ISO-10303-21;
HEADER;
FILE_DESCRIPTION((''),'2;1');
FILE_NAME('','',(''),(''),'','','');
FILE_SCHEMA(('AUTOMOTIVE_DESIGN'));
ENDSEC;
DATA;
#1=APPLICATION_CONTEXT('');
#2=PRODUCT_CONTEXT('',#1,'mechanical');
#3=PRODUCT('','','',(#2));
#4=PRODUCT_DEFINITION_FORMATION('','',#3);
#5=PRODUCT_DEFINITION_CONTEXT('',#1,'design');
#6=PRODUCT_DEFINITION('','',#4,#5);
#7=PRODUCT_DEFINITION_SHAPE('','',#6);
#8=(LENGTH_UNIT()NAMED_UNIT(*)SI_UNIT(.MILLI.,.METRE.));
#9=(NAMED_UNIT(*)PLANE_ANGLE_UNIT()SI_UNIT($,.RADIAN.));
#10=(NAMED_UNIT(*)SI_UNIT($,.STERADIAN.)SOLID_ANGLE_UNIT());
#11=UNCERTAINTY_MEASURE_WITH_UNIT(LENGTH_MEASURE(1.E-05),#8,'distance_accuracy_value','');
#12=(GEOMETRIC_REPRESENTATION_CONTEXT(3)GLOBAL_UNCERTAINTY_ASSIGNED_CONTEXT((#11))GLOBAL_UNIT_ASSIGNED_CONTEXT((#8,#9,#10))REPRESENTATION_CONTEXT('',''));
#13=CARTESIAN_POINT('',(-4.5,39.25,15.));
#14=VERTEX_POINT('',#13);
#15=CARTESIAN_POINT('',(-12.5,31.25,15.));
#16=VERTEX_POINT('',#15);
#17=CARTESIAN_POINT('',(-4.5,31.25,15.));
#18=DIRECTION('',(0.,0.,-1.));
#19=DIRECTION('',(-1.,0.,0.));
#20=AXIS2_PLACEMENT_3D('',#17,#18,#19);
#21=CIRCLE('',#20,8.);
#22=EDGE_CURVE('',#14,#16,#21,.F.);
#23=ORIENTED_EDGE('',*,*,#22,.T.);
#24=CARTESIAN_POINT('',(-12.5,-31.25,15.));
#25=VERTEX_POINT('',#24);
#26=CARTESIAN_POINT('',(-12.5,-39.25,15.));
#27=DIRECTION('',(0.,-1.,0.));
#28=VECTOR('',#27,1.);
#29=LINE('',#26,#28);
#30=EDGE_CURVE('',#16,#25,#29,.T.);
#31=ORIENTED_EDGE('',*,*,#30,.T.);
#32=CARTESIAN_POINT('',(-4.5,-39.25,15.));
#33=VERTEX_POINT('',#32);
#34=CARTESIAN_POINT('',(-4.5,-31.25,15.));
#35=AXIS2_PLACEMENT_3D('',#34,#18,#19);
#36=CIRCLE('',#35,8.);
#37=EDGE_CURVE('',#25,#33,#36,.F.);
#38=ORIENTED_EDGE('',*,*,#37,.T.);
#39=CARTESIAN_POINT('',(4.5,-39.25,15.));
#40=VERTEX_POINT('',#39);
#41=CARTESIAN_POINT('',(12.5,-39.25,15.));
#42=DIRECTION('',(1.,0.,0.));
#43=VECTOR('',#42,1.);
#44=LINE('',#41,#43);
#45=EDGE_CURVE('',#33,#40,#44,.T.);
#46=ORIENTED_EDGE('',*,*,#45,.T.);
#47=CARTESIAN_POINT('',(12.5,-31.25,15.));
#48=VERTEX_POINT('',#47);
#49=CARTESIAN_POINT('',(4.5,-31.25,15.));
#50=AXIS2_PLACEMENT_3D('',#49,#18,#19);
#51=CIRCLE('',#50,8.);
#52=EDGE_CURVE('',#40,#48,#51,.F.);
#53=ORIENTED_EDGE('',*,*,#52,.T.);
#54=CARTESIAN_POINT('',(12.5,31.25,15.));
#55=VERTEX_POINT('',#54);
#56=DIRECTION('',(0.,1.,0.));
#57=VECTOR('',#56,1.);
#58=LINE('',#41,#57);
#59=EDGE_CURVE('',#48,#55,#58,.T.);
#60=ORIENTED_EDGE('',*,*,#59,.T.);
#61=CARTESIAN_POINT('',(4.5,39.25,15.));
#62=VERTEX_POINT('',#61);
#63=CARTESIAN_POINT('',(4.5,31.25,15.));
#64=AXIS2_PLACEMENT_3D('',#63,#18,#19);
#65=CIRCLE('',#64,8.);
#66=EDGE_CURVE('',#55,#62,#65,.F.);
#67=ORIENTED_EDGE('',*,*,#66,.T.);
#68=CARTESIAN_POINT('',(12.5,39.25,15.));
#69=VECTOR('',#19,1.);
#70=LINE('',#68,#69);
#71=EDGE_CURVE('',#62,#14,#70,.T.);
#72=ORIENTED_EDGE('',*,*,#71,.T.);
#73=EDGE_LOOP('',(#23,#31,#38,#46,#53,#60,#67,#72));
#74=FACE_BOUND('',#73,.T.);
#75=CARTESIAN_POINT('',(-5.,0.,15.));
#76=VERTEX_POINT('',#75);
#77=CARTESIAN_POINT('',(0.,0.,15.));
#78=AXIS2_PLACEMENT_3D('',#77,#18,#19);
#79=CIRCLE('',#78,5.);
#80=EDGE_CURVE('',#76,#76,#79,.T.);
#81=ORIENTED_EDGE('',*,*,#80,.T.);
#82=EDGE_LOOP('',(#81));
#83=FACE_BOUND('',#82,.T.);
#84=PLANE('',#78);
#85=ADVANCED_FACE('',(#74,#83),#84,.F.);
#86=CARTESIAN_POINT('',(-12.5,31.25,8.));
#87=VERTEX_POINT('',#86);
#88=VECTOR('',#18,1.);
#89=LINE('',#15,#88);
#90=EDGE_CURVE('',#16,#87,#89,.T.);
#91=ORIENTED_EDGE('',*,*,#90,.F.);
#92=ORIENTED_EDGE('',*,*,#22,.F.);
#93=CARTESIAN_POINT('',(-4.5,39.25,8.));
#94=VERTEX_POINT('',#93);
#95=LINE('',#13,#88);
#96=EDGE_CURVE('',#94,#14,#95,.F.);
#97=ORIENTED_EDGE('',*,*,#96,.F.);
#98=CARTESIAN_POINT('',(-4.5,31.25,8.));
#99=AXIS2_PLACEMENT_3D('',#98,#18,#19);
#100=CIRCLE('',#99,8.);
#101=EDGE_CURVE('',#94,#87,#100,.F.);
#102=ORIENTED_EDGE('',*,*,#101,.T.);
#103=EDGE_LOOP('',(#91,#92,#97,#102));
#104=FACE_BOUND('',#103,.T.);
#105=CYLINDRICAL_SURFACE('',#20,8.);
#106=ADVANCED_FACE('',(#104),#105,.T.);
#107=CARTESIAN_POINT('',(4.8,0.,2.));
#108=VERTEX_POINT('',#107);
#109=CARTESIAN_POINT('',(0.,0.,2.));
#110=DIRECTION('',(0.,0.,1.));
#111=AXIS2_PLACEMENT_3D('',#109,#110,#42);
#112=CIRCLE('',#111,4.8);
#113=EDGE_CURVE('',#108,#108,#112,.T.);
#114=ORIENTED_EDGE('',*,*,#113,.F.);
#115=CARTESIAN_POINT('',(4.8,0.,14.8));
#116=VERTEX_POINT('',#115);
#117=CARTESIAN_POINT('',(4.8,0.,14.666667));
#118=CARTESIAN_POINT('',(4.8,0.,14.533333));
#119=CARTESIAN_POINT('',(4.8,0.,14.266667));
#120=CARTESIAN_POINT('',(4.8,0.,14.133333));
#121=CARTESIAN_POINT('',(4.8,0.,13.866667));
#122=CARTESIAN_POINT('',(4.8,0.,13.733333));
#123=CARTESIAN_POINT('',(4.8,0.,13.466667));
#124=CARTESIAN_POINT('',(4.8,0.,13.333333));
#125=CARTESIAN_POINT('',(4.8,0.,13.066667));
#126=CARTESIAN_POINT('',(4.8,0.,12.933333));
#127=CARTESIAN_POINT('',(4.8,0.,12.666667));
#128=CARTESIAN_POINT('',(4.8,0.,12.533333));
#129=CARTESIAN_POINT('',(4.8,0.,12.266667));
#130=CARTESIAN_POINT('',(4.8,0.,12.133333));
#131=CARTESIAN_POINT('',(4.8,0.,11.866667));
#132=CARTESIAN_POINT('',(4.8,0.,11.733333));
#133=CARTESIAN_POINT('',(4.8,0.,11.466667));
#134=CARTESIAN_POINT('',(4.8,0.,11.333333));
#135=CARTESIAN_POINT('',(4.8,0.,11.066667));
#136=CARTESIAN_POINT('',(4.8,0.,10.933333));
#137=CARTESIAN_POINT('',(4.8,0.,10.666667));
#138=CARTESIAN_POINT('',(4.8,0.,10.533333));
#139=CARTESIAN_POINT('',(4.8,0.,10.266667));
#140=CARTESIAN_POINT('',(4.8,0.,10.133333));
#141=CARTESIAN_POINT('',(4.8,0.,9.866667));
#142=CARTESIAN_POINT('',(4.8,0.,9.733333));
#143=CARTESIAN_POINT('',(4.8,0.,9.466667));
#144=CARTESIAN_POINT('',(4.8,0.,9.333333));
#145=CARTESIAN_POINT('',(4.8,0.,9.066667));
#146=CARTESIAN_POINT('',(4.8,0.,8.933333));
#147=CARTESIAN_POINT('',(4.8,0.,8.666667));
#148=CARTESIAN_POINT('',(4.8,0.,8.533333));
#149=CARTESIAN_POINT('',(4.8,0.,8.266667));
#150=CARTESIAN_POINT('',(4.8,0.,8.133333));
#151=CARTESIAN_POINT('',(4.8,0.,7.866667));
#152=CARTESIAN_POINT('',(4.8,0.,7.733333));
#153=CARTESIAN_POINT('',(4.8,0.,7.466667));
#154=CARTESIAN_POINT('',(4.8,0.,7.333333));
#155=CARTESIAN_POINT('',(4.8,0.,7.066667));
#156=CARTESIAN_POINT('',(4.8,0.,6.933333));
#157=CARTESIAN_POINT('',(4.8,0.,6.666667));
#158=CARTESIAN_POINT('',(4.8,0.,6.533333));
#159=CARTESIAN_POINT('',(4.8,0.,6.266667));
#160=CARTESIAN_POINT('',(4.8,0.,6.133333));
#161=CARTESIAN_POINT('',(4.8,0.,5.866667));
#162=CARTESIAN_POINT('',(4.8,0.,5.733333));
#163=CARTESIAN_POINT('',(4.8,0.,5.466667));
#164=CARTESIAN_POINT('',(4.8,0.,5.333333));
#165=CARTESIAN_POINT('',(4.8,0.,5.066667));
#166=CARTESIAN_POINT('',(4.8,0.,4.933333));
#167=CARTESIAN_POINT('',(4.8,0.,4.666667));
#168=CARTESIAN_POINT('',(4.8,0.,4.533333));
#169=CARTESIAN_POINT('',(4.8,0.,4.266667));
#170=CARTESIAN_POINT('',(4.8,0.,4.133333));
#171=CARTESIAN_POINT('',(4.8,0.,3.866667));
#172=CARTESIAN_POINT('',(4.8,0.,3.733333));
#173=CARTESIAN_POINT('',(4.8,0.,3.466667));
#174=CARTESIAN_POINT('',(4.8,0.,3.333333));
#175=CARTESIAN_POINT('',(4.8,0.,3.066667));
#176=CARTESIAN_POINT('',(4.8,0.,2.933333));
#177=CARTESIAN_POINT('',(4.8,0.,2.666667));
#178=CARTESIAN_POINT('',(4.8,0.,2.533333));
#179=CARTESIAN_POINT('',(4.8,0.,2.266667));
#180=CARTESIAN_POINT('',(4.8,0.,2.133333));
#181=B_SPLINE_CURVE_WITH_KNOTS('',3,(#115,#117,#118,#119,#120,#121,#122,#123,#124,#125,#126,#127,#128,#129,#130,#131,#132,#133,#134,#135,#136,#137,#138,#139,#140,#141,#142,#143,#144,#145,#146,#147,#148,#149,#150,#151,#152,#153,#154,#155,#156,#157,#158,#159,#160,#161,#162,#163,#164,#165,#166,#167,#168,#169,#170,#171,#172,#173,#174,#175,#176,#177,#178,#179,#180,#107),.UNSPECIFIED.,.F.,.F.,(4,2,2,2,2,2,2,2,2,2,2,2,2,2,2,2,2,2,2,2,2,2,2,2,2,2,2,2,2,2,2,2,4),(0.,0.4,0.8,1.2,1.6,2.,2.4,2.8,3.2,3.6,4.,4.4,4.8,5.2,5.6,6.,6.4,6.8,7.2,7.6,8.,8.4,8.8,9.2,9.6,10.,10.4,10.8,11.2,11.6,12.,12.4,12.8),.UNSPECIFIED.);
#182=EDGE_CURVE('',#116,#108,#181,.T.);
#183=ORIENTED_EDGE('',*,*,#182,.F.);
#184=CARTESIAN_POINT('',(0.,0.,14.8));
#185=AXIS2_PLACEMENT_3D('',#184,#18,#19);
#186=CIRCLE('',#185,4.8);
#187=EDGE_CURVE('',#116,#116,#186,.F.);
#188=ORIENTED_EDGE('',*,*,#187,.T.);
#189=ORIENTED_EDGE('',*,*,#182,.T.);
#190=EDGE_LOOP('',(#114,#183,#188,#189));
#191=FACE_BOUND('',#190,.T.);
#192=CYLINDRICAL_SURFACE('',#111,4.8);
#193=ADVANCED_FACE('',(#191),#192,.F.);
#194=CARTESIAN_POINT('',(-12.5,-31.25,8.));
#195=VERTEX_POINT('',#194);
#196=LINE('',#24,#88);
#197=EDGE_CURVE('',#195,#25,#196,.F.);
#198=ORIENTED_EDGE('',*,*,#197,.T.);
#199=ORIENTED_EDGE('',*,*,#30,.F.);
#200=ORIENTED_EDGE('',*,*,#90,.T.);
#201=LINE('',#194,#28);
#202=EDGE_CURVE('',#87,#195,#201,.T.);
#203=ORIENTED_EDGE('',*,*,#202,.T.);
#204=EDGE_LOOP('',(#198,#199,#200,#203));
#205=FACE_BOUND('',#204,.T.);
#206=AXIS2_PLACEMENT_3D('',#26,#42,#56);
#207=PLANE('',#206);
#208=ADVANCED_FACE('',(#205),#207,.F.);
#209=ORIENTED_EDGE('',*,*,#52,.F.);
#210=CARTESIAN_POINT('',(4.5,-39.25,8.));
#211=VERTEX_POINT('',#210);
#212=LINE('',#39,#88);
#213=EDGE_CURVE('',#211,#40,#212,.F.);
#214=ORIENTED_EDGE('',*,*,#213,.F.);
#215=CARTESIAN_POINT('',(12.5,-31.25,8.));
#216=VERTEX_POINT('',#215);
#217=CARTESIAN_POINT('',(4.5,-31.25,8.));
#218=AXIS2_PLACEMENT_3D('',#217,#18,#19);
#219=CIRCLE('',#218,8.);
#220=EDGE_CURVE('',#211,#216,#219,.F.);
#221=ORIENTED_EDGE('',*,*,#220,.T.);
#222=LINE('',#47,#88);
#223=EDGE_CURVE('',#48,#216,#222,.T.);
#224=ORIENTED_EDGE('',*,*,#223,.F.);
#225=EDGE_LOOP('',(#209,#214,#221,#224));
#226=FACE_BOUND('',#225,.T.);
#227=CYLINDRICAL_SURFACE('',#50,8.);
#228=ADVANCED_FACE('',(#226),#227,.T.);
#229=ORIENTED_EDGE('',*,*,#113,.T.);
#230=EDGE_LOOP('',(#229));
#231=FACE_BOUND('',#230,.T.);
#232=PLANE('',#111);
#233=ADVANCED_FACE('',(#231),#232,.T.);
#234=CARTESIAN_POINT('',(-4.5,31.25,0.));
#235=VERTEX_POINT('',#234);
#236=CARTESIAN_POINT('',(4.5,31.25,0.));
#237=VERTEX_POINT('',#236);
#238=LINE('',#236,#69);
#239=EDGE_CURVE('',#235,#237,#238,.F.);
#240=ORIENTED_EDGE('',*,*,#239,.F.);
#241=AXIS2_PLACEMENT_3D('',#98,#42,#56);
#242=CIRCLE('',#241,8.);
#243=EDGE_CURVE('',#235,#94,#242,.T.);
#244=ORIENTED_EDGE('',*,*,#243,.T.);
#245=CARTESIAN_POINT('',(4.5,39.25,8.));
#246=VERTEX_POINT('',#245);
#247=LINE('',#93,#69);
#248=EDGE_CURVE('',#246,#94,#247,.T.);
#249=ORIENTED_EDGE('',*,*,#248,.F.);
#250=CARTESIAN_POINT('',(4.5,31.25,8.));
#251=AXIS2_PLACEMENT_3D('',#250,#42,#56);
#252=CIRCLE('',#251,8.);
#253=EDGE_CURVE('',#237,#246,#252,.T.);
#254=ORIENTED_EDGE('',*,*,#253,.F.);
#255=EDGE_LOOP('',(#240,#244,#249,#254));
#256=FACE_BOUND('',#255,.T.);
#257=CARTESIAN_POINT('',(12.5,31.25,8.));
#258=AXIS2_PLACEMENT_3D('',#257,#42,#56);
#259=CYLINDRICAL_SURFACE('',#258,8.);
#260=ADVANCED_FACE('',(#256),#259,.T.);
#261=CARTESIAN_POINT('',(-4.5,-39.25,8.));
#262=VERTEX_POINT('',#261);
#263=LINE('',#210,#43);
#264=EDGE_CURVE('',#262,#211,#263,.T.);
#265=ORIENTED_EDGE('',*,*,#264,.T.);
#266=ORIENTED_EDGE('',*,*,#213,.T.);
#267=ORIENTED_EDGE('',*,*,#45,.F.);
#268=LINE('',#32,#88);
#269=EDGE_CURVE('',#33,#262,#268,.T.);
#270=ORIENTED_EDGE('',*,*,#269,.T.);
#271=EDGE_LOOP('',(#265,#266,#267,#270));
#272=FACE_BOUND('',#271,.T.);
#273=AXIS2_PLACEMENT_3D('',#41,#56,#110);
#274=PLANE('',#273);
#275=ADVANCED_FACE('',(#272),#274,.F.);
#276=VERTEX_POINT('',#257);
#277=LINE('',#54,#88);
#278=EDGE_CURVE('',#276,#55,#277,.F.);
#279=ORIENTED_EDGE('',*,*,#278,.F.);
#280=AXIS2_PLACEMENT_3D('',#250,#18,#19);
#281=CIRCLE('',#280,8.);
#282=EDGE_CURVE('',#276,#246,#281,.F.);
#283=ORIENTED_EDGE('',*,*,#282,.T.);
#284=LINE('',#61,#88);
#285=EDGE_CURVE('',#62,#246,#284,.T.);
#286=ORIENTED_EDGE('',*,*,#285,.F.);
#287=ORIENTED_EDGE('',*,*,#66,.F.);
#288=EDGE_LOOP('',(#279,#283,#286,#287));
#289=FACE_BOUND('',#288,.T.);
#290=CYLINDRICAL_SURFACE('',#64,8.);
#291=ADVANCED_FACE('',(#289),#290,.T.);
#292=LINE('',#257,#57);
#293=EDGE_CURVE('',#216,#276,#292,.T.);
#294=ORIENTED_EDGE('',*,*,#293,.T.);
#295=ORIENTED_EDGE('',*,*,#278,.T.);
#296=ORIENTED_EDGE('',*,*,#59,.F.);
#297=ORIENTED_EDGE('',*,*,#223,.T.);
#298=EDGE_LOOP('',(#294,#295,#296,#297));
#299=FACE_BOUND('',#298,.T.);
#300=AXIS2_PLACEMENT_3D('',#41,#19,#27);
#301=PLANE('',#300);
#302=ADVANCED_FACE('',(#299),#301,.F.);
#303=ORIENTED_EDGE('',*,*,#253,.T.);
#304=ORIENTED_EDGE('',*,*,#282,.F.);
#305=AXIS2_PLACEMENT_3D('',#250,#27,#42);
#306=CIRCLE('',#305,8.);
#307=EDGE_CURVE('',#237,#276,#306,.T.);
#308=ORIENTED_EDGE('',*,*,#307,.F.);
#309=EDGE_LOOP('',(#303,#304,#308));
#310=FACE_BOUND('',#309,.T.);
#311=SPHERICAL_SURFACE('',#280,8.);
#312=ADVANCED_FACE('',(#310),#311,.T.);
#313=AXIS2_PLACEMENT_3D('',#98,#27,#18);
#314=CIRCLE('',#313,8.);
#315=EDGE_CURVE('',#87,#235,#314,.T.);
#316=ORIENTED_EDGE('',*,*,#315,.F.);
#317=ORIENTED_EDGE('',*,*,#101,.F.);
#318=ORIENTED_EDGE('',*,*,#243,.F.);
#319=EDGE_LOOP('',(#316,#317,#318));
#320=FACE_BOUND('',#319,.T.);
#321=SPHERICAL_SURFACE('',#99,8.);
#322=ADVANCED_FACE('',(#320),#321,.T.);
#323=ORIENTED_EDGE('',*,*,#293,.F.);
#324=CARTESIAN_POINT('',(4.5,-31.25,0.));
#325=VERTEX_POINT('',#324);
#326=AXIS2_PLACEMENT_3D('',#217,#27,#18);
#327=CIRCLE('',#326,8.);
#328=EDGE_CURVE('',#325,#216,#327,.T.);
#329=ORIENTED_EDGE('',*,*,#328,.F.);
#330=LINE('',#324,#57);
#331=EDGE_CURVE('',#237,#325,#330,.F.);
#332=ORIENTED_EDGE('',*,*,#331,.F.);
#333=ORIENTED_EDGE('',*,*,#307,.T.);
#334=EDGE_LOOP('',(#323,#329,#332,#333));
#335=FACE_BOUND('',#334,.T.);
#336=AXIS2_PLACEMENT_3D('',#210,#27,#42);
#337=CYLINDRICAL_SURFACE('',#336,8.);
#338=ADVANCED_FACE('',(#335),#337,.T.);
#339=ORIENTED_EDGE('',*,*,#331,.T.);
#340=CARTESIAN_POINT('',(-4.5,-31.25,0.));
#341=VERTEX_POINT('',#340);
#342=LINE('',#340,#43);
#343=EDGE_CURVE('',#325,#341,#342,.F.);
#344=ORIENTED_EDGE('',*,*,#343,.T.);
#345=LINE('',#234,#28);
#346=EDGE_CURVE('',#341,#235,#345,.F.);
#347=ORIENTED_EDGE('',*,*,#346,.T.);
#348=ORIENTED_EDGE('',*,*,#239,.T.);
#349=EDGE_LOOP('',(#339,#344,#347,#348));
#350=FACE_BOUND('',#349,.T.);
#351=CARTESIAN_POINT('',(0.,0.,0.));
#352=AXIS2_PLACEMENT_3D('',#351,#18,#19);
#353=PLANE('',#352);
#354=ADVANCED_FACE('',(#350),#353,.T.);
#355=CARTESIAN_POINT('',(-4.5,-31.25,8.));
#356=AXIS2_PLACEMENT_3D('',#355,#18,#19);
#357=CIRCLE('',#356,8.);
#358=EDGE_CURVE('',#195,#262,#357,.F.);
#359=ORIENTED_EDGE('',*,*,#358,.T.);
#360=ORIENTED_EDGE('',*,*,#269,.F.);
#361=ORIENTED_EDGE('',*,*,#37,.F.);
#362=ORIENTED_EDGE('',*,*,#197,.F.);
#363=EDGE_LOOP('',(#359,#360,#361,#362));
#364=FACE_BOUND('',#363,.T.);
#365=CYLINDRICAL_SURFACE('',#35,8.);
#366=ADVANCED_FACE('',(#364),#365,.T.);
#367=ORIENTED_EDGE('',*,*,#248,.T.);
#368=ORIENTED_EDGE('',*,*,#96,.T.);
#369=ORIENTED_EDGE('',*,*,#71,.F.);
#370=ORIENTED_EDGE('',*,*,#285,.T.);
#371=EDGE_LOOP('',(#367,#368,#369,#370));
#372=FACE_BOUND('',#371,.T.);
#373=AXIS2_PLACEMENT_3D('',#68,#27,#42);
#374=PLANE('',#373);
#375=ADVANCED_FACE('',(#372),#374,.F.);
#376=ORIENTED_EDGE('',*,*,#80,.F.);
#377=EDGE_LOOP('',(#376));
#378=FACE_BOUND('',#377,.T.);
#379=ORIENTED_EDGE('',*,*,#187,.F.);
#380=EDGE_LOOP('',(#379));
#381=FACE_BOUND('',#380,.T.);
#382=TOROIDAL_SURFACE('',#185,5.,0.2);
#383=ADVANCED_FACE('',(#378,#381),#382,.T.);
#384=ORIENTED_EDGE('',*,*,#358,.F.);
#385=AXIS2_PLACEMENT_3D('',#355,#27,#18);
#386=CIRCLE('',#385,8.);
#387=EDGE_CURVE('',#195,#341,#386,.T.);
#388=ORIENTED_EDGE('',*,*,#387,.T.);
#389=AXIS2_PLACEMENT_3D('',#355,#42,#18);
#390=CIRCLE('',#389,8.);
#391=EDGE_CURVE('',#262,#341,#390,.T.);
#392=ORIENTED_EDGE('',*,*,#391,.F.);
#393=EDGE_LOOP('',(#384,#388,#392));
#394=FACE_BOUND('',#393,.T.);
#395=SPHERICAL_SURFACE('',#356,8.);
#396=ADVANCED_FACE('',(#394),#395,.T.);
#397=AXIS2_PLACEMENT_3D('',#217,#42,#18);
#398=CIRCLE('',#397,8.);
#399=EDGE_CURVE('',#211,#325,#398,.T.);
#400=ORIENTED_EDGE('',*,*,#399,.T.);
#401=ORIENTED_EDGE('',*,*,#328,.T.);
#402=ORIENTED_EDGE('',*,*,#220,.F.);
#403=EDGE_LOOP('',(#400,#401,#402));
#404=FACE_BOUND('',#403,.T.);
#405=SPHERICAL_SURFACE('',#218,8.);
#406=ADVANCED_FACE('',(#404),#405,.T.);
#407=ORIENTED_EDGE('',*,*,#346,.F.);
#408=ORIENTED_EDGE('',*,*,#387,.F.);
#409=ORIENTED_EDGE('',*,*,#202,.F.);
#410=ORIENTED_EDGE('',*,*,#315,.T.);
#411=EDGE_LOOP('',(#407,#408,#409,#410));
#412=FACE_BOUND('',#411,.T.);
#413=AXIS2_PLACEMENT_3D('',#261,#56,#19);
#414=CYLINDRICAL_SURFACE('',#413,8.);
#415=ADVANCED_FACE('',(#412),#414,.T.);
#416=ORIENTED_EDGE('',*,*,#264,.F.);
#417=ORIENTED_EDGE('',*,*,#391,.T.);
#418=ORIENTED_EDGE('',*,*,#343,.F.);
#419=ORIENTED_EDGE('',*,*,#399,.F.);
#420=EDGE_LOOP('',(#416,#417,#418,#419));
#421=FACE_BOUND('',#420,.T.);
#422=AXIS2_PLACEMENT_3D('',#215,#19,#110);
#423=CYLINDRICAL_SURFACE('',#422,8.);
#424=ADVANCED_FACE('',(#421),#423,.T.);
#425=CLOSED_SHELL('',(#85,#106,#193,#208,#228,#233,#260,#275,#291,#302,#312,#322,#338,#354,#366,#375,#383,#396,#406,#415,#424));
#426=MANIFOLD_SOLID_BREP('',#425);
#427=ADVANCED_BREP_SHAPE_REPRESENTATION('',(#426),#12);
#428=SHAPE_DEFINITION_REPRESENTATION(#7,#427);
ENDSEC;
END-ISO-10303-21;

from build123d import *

# Parameters (mm, degrees)
SKETCH1_W           = 78.5
SKETCH1_H           = 25
BOSS_EXTRUDE1_DEPTH = 15
SKETCH2_R           = 4.8
CUT_EXTRUDE1_DEPTH  = 13
FILLET1_R           = 0.2
FILLET2_R           = 8
FILLET3_R           = 8


with BuildPart() as part:
    # Sketch1 → Boss-Extrude1 (new body)
    with BuildSketch(Plane(origin=(0, 0, 0), x_dir=(0, 1, 0), z_dir=(0, 0, 1))):
        Rectangle(SKETCH1_W, SKETCH1_H)
    extrude(amount=BOSS_EXTRUDE1_DEPTH)

    # Sketch2 → Cut-Extrude1 (cut)
    with BuildSketch(Plane.XY.offset(15)):
        Circle(SKETCH2_R)
    extrude(amount=-CUT_EXTRUDE1_DEPTH, mode=Mode.SUBTRACT)

    # Fillet1
    fillet1_edges = [part.edges().sort_by_distance(p)[0] for p in [
        (-4.8, 0, 15),
    ]]
    fillet(fillet1_edges, radius=FILLET1_R)

    # Fillet2
    fillet2_edges = [part.edges().sort_by_distance(p)[0] for p in [
        (12.5, 39.25, 7.5),
        (12.5, -39.25, 7.5),
        (-12.5, -39.25, 7.5),
        (-12.5, 39.25, 7.5),
    ]]
    fillet(fillet2_edges, radius=FILLET2_R)

    # Fillet3
    fillet3_edges = [part.edges().sort_by_distance(p)[0] for p in [
        (0, -39.25, 0),
        (0, 39.25, 0),
        (12.5, 0, 0),
        (-12.5, 0, 0),
        (-10.156854249, 36.906854249, 0),
        (10.156854249, 36.906854249, 0),
        (10.156854249, -36.906854249, 0),
        (-10.156854249, -36.906854249, 0),
    ]]
    fillet(fillet3_edges, radius=FILLET3_R)


solid = part.part
